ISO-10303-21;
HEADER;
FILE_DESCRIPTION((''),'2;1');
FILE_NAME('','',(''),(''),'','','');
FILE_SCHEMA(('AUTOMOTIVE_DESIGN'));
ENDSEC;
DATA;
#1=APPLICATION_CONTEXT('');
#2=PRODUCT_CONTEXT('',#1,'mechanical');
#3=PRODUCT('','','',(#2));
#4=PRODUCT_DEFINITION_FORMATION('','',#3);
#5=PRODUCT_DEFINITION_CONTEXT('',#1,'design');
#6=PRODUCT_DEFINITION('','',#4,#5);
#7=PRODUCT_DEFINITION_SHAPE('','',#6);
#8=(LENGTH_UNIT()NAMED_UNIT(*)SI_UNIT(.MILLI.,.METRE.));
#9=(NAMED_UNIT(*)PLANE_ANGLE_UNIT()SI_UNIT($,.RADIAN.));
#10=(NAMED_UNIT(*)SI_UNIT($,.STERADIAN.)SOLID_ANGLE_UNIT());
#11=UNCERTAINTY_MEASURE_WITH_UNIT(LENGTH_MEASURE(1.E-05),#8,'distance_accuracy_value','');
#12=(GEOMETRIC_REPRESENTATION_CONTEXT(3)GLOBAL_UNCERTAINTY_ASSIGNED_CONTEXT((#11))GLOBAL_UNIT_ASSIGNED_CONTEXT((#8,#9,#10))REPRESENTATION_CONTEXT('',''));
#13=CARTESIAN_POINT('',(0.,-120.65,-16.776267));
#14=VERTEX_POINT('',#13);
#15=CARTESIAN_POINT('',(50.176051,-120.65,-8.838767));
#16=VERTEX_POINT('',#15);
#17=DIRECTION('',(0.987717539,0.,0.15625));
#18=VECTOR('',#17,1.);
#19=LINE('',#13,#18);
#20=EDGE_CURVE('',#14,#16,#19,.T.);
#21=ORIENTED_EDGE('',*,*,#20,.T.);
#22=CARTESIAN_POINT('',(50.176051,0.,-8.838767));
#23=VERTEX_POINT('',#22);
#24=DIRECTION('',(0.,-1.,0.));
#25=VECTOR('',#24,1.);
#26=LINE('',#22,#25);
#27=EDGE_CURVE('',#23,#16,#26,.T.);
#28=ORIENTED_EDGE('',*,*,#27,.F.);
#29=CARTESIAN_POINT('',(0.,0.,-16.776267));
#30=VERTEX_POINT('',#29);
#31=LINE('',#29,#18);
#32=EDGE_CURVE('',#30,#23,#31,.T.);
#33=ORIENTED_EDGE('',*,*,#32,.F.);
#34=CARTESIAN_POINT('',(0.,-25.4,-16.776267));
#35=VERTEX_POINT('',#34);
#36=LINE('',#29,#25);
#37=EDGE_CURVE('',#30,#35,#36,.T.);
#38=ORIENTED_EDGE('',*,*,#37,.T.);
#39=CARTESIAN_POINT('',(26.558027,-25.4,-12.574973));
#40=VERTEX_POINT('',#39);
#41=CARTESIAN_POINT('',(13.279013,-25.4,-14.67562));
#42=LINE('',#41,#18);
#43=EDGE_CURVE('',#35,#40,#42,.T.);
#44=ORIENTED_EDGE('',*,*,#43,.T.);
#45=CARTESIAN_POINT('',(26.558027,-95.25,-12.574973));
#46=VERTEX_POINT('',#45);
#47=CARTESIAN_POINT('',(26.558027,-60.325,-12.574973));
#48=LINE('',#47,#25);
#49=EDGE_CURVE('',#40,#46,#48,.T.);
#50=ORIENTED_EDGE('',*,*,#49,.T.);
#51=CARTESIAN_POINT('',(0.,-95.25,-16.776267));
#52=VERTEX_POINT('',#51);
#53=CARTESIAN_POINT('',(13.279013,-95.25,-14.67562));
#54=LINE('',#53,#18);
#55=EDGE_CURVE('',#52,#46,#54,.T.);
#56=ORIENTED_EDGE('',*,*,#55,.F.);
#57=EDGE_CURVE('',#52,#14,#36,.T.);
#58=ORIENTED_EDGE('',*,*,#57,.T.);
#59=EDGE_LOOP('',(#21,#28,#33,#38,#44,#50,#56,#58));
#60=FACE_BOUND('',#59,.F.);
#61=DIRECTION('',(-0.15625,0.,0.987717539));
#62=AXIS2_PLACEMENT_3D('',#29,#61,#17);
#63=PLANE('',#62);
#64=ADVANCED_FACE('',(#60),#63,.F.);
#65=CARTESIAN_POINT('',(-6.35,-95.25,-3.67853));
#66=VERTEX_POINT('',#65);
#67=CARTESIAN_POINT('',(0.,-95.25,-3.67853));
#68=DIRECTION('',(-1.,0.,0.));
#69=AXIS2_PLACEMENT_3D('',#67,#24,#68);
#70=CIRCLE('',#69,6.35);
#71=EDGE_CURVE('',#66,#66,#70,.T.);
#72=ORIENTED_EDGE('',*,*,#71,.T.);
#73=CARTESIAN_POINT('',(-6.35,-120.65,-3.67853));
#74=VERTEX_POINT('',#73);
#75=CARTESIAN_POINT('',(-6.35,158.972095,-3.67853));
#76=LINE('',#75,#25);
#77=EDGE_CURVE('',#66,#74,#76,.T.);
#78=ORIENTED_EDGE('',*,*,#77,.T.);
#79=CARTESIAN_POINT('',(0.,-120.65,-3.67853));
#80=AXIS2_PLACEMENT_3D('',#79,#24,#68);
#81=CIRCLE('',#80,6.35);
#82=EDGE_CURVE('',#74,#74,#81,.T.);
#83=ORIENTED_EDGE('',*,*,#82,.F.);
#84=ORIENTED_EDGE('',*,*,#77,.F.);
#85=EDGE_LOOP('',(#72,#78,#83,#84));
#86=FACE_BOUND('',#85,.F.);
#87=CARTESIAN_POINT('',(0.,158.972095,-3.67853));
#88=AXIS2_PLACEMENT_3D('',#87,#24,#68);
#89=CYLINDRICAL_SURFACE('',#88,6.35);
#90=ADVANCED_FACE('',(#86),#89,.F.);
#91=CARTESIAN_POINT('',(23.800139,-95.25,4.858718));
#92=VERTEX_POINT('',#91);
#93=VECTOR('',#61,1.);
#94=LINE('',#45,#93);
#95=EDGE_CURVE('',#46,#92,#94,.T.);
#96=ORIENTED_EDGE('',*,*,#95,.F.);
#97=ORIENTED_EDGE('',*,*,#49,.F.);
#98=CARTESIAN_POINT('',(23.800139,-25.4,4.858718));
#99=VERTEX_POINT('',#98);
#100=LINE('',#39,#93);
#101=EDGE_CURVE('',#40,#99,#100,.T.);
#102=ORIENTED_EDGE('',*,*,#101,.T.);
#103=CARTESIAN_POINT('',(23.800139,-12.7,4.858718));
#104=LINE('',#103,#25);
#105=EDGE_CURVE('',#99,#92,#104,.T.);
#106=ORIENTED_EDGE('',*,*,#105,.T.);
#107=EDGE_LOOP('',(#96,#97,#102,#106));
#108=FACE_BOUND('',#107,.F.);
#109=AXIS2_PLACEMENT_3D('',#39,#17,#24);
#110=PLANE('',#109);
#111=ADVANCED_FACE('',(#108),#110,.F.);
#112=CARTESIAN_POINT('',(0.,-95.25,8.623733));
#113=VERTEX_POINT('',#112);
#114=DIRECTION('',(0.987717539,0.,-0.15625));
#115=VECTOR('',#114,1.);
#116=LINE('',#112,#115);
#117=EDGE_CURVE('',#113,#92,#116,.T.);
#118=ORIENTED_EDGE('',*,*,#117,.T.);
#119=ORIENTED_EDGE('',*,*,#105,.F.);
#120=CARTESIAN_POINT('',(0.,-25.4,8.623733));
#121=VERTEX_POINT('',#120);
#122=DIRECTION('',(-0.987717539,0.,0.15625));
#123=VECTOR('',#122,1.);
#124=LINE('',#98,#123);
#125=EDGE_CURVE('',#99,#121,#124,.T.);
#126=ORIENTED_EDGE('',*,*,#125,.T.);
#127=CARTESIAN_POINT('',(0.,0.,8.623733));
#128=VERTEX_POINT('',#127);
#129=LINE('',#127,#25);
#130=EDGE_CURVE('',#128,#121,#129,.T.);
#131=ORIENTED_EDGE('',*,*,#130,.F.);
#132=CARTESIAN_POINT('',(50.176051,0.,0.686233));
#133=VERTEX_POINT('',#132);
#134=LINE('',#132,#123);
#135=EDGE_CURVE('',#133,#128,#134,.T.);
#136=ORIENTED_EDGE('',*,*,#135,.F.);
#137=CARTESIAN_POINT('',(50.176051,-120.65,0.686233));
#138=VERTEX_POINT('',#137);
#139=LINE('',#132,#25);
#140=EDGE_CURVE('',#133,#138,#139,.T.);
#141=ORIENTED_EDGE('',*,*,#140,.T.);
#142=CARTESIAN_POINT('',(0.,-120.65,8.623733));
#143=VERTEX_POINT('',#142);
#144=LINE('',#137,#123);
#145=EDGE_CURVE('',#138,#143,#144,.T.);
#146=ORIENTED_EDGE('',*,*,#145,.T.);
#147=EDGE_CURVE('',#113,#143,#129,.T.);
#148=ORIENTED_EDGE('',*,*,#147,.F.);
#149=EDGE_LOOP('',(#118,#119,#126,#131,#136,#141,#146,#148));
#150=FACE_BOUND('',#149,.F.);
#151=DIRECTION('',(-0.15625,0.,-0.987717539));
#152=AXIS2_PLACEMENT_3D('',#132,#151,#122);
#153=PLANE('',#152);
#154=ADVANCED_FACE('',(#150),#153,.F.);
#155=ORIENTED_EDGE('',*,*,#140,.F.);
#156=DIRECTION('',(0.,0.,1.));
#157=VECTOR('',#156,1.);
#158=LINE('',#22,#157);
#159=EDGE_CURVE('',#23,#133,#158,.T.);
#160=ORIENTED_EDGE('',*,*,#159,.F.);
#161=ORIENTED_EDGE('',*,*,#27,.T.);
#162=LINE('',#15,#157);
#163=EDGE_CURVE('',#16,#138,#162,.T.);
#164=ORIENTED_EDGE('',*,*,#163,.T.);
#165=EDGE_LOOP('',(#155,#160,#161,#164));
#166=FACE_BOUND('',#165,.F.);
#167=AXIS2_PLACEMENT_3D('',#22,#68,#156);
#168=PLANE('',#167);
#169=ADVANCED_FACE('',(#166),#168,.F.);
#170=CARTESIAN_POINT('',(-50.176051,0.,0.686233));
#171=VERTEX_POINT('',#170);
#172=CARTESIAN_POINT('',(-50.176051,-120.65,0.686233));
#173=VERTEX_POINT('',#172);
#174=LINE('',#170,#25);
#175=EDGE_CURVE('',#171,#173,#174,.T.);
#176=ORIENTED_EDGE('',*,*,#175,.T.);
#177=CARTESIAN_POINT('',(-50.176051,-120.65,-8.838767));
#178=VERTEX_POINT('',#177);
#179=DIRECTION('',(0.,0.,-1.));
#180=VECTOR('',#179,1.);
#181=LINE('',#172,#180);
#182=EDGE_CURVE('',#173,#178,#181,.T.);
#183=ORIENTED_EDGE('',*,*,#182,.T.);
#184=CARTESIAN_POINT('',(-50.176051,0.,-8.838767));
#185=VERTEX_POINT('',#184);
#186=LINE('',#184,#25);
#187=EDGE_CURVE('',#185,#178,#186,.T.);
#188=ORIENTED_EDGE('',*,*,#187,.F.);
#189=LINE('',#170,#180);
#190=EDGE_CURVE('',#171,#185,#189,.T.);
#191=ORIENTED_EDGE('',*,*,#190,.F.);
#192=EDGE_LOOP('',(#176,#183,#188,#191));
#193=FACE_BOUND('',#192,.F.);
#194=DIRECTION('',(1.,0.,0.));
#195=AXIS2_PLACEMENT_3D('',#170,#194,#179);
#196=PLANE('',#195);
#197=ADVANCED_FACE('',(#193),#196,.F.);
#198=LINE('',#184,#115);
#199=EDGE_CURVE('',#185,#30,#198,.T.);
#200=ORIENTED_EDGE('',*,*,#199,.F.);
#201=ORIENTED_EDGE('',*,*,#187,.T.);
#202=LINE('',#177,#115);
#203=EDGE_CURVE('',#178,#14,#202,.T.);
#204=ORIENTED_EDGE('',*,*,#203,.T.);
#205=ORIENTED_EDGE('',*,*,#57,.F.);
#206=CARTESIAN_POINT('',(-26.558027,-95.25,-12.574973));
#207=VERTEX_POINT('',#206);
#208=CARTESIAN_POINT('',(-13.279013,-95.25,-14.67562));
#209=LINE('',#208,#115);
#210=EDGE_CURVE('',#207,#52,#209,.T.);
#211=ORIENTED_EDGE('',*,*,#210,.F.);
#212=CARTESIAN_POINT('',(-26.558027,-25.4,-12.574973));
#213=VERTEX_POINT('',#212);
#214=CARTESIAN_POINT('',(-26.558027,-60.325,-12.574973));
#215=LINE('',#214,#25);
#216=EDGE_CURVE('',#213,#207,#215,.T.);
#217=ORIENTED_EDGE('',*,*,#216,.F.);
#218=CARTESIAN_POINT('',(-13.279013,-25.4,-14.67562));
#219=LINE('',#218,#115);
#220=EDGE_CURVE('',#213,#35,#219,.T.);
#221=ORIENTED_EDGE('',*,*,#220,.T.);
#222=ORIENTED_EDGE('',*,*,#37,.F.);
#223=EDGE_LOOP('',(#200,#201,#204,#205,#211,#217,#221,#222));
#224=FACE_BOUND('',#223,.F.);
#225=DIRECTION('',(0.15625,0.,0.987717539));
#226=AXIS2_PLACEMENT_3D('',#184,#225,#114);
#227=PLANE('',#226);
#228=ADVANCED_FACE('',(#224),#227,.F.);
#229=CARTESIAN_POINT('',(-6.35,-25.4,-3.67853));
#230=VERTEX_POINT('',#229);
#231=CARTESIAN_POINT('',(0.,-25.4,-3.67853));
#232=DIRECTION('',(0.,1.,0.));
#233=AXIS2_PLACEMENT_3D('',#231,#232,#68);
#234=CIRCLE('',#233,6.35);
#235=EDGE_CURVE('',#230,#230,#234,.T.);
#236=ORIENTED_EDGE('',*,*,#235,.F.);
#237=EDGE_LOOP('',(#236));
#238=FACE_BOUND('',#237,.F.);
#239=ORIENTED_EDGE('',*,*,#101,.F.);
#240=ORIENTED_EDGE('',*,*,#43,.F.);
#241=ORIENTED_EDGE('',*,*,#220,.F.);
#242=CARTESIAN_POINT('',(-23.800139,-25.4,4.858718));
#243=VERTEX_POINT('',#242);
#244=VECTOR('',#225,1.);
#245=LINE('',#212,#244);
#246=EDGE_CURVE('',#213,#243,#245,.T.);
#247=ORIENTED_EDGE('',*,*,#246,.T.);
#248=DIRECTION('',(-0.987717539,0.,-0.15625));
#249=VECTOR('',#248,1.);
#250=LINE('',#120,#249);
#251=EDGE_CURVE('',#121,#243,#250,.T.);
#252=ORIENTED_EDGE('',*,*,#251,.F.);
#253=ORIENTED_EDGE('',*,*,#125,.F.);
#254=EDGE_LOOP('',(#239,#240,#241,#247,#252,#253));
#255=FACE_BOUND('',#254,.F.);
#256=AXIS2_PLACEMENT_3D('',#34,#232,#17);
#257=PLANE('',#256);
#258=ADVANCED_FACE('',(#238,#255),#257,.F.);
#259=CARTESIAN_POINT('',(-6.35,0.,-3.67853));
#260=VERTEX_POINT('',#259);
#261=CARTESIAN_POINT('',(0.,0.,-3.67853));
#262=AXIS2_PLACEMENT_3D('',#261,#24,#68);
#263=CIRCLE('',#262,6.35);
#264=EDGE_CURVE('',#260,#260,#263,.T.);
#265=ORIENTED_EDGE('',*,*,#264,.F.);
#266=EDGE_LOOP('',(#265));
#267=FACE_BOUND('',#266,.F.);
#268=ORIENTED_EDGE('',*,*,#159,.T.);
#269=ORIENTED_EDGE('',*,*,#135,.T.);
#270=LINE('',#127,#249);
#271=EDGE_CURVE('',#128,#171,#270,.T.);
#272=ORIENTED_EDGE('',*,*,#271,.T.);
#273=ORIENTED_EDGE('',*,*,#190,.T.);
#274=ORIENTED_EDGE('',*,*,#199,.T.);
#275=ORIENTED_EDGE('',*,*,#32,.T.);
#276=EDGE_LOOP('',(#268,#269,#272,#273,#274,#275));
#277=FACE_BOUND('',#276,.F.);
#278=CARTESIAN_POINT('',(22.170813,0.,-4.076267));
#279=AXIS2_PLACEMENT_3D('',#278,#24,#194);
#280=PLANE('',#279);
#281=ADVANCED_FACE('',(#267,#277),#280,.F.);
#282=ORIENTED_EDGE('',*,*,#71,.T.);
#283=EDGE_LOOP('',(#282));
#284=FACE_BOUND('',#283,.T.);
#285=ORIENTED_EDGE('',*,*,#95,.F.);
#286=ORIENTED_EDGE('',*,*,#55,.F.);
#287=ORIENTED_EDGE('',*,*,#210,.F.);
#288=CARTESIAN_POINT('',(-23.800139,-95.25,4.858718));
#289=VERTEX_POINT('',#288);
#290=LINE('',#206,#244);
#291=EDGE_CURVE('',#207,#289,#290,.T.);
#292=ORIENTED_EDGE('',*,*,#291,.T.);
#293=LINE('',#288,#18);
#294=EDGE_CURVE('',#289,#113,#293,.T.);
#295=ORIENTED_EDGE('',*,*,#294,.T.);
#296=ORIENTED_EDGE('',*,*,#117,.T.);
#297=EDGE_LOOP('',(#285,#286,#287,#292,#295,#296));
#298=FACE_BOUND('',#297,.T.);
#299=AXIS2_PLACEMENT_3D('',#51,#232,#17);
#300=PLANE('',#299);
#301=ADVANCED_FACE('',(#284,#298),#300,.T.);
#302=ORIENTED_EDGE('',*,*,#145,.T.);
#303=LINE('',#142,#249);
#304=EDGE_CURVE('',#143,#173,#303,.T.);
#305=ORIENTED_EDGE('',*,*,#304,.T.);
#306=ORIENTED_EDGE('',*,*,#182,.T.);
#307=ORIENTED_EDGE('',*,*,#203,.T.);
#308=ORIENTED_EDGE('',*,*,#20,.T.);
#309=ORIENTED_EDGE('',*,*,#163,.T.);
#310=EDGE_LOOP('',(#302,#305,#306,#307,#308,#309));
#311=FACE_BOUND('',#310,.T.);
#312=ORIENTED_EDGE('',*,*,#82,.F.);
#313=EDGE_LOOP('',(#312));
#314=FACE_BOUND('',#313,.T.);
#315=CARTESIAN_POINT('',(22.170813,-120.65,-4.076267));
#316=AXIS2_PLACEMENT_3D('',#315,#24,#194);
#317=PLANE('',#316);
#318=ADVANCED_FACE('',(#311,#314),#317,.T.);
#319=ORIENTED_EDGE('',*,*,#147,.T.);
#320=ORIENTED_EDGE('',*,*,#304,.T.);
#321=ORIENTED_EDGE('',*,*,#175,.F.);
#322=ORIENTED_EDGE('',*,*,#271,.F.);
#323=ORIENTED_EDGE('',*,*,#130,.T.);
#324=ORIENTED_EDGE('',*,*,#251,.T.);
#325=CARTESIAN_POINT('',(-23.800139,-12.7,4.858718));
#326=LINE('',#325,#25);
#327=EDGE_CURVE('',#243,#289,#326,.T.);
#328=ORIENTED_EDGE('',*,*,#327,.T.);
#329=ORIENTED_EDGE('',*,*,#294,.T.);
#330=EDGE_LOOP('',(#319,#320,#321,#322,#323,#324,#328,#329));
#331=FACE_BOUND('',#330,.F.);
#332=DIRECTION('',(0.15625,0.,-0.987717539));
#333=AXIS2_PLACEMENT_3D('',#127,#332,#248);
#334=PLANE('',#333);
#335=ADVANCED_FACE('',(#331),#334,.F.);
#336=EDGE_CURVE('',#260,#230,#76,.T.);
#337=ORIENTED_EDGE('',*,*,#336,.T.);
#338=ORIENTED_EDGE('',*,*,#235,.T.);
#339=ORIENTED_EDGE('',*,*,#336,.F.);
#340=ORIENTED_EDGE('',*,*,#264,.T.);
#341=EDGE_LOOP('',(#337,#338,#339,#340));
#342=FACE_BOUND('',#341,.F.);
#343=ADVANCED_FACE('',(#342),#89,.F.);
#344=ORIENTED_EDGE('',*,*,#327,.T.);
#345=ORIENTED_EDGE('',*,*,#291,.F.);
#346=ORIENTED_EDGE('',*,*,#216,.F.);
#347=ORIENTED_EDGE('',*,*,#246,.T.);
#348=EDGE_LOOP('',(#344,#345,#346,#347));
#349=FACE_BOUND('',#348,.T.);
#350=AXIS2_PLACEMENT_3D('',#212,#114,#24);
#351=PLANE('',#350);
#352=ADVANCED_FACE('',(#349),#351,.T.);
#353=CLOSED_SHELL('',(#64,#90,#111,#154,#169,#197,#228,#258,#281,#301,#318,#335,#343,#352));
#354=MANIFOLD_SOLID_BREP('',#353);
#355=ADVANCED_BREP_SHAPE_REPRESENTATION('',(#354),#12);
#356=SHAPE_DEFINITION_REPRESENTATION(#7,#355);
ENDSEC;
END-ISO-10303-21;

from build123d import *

# Parameters (mm, degrees)
F1_DEPTH = 120.65
F2_DEPTH = 120.65
F4_D     = 12.7
F6_W     = 26.88828125
F6_H     = 69.85
F7_DEPTH = 32.9290334674
F5_W     = 26.88828125
F5_H     = 69.85
F8_DEPTH = 32.9290334674


with BuildPart() as f1:
    # F0 (on Front) → F1 (new body)
    with BuildSketch(Plane.XZ):
        Polygon((-50.176050998, 0.6862330108), (-50.176050998, -8.8387669892), (0, -16.7762669892), (0, 8.6237330108), align=None)
    extrude(amount=F1_DEPTH)

    # F0 (on Front) → F2 (join)
    with BuildSketch(Plane.XZ):
        Polygon((0, 8.6237330108), (0, -16.7762669892), (50.176050998, -8.8387669892), (50.176050998, 0.6862330108), align=None)
    extrude(amount=F2_DEPTH)

    # F4 (through all)
    with Locations(Plane(origin=(0, 0, 0), x_dir=(1, 0, 0), z_dir=(0, 1, 0))):
        with Locations((0, 3.6785302916)):
            Hole(F4_D / 2)

    # F6 (on face) → F7 (cut, through all)
    with BuildSketch(Plane(origin=(-2.5890958046, 0, -16.3666901584), x_dir=(0.9877175393, 0, -0.15625), z_dir=(-0.15625, 0, -0.9877175393))):
        with Locations((-10.8228489079, 60.325)):
            Rectangle(F6_W, F6_H)
    extrude(amount=-F7_DEPTH, mode=Mode.SUBTRACT)

    # F5 (on face) → F8 (cut, through all)
    with BuildSketch(Plane(origin=(2.5890958046, 0, -16.3666901584), x_dir=(0.9877175393, 0, 0.15625), z_dir=(0.15625, 0, -0.9877175393))):
        with Locations((10.8228489079, 60.325)):
            Rectangle(F5_W, F5_H)
    extrude(amount=-F8_DEPTH, mode=Mode.SUBTRACT)


solid = f1.part
